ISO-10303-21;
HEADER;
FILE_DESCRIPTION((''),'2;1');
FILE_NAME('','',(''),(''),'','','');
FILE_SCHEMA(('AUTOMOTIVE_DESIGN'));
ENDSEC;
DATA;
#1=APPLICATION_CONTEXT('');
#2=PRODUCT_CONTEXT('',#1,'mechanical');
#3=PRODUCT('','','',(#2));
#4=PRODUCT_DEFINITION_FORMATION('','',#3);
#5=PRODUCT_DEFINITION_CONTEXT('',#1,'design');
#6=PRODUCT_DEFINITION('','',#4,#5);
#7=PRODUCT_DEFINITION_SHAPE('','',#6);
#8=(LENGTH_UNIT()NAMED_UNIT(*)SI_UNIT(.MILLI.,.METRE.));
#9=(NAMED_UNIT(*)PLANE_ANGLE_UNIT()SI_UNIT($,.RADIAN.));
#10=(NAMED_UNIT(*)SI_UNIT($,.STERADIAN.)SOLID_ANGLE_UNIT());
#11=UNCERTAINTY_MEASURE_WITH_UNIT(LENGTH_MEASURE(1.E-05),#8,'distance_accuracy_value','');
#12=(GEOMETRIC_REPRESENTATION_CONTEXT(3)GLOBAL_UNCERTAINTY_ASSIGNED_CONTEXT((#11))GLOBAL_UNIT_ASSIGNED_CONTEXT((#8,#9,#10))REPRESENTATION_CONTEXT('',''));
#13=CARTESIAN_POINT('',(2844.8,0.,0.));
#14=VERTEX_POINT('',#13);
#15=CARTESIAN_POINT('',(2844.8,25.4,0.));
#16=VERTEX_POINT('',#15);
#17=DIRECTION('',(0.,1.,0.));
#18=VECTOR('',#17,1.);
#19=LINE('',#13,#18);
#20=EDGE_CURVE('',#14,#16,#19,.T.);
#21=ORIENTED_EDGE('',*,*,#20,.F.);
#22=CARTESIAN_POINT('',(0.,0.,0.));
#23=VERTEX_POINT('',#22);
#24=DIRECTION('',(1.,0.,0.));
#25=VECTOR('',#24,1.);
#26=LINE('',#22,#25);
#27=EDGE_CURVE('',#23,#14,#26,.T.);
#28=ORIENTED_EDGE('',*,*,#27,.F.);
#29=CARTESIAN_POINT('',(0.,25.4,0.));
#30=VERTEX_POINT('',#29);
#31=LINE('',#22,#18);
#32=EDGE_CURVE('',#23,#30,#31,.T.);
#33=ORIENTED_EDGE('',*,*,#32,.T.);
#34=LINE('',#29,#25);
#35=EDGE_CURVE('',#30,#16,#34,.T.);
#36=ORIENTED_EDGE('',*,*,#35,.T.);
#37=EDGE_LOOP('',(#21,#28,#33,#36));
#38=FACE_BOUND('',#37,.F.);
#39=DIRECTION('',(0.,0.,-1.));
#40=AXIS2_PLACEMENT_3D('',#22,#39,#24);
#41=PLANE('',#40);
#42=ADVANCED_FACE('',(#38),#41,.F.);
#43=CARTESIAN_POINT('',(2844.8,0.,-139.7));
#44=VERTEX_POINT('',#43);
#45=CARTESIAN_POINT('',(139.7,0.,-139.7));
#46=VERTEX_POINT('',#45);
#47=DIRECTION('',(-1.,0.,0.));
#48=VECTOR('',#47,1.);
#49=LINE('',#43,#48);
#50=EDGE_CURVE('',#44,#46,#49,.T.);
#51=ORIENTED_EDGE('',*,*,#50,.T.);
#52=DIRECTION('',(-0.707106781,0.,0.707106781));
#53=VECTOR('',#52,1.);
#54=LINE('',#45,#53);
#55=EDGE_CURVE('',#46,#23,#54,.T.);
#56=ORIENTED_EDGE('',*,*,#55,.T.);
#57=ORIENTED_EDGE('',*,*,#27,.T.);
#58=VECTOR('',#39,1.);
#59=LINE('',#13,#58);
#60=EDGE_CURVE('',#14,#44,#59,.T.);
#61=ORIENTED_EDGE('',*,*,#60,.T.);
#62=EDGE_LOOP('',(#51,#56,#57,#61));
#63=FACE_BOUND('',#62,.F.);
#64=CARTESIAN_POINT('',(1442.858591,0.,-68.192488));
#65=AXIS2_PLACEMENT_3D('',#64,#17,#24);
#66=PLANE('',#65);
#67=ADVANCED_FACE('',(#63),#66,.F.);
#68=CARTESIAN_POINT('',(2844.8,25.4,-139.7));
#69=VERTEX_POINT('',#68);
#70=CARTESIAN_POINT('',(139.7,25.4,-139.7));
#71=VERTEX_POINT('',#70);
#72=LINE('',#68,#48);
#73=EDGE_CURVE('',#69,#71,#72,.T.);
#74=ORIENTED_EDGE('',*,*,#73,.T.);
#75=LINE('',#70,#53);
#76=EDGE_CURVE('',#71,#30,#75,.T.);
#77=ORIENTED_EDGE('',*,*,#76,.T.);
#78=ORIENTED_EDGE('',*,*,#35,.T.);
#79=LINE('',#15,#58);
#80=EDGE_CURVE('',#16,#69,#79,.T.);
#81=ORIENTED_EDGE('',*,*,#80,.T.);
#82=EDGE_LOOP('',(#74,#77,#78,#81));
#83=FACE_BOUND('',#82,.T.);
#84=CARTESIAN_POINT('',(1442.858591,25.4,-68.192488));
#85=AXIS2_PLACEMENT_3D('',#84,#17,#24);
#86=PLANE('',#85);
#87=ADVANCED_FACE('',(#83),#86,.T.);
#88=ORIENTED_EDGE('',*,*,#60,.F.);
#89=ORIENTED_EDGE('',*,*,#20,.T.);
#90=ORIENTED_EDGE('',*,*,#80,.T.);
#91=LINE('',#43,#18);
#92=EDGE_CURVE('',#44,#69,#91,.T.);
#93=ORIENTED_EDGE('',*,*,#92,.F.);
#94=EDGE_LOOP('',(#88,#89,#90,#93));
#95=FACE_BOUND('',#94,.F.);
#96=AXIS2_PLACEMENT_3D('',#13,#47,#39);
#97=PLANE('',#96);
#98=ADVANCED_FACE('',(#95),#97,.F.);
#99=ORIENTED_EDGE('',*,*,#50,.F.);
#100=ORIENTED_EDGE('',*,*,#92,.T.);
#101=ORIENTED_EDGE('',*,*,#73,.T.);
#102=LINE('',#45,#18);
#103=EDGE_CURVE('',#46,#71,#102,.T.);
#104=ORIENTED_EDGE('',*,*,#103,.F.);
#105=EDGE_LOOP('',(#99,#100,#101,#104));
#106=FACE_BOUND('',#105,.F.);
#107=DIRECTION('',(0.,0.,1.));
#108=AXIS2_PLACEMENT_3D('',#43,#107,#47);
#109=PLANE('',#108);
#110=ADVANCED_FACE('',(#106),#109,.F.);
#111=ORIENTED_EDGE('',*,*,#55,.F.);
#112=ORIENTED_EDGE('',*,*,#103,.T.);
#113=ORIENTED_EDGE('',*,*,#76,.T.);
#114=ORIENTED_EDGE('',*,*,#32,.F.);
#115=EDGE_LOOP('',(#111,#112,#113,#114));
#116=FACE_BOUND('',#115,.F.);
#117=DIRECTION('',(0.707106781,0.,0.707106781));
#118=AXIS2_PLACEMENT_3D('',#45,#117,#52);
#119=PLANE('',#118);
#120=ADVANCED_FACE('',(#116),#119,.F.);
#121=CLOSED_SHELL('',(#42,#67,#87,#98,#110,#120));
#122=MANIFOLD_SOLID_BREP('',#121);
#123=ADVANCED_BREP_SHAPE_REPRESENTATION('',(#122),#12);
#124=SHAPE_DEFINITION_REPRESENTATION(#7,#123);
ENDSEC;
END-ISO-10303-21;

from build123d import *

# Parameters (mm, degrees)
BOSS_EXTRUDE1_DEPTH = 25.4


with BuildPart() as part:
    # Sketch1 → Boss-Extrude1 (new body)
    with BuildSketch(Plane(origin=(0, 0, 0), x_dir=(1, 0, 0), z_dir=(0, 1, 0))):
        Polygon((2844.8, 0), (2844.8, 139.7), (2705.1, 139.7), (139.7, 139.7), (0, 0), align=None)
    extrude(amount=BOSS_EXTRUDE1_DEPTH)


solid = part.part
